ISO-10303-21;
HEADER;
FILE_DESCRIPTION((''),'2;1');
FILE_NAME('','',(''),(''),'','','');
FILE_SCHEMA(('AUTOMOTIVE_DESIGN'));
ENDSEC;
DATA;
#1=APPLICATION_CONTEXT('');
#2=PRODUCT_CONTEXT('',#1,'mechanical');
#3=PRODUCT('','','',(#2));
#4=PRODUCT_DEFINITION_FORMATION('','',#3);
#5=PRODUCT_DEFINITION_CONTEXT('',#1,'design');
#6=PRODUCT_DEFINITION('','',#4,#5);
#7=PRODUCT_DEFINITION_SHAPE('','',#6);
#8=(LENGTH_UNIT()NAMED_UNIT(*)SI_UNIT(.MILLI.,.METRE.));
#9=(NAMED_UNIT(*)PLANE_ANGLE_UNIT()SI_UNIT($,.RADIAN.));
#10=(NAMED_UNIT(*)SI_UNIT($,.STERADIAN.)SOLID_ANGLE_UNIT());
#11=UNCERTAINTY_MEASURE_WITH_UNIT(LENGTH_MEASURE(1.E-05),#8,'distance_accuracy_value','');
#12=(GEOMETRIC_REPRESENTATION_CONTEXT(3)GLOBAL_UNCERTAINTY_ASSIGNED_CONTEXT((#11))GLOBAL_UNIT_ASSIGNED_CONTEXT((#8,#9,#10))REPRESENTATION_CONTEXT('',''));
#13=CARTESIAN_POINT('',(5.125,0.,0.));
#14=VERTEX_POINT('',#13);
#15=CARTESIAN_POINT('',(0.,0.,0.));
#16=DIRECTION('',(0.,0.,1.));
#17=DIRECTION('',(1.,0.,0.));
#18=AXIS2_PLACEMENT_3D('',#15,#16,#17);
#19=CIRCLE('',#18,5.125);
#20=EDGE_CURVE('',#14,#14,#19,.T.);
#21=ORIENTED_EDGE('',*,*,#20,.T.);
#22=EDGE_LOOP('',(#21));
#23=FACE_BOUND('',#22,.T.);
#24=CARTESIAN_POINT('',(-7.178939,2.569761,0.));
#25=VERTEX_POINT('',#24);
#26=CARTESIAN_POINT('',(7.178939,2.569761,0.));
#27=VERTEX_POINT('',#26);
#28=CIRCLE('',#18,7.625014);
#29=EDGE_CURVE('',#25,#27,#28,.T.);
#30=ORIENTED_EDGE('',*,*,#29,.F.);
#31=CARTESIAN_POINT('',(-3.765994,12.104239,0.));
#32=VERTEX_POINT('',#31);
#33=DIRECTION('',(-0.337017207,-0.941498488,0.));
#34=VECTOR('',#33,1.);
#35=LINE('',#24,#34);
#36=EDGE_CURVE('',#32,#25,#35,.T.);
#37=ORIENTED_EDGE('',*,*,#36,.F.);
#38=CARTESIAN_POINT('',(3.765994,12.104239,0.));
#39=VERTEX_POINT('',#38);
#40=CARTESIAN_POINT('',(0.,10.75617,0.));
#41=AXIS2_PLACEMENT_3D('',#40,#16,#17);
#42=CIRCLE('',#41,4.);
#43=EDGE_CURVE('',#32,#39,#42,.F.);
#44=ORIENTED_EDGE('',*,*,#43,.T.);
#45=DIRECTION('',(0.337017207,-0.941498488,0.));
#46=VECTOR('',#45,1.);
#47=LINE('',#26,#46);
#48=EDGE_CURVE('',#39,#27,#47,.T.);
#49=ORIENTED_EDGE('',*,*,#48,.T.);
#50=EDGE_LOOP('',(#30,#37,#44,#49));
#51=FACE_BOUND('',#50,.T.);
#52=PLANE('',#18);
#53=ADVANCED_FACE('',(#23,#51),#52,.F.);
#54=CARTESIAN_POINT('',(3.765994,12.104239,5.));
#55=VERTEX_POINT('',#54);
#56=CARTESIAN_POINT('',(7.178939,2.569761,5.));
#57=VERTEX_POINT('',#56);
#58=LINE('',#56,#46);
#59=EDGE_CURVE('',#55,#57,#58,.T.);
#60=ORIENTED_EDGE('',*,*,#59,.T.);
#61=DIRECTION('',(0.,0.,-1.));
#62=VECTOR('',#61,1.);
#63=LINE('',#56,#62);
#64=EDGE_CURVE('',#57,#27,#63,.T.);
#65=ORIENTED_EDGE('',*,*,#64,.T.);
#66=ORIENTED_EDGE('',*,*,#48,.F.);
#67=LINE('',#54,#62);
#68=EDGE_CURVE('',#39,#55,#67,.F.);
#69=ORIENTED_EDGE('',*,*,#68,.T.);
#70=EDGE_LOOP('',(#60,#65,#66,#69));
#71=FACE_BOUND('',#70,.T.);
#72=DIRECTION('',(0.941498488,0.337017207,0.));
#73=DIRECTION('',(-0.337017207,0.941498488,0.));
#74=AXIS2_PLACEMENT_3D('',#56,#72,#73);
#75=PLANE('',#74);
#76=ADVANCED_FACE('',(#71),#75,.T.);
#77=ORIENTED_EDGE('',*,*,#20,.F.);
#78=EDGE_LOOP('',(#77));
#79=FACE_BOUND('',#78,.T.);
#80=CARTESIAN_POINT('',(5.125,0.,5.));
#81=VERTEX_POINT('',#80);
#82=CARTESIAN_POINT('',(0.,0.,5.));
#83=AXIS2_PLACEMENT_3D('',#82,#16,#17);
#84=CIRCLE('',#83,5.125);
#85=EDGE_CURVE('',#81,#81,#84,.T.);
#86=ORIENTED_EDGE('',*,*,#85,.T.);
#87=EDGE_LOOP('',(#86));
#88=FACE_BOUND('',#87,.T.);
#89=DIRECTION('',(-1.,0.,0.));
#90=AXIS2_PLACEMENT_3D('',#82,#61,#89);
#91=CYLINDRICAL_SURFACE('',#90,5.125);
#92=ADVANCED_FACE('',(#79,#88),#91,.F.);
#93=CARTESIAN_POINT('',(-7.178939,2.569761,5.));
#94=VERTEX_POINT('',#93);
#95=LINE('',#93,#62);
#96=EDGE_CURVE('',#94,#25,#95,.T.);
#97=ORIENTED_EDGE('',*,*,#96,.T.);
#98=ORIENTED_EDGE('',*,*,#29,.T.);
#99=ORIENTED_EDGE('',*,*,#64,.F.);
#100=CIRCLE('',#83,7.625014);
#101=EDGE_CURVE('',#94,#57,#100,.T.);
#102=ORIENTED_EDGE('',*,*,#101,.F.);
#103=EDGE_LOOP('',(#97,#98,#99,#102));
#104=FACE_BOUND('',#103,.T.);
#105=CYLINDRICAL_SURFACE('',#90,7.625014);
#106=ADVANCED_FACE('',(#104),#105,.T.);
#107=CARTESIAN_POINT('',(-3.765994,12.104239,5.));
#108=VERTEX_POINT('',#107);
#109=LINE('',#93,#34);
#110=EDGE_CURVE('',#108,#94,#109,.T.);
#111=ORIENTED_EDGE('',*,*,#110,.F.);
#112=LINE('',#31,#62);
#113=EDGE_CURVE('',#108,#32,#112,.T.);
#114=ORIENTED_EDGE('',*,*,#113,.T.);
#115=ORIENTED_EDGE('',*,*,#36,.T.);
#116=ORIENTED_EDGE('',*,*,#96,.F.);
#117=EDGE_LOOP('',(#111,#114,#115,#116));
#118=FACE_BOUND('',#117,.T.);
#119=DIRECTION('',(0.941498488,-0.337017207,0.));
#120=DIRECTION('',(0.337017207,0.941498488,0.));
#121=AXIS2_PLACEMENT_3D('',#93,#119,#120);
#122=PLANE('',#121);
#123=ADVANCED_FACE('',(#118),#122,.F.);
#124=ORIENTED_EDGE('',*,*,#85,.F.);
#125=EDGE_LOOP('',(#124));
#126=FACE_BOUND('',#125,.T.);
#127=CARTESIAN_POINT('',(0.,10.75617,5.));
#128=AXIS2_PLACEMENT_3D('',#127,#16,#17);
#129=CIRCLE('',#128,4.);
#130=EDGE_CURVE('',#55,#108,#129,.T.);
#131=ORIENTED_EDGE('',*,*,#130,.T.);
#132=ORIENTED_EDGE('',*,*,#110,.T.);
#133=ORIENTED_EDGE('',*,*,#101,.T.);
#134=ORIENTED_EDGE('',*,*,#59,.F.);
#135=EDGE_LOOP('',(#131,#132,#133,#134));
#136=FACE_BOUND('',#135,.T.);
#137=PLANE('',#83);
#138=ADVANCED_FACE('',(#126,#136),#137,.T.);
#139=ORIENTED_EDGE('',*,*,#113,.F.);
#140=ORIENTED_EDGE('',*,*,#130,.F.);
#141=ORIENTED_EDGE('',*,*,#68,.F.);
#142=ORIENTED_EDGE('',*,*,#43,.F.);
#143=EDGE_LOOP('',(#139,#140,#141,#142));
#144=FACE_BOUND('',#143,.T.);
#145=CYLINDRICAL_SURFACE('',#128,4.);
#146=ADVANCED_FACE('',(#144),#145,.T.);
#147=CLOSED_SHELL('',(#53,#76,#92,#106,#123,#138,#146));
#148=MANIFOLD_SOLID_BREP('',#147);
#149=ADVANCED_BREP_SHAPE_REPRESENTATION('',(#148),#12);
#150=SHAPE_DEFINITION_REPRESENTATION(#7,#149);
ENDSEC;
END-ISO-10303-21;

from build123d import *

# Parameters (mm, degrees)
SKETCH1_R           = 7.625014315
SKETCH1_R_2         = 5.125
BOSS_EXTRUDE1_DEPTH = 5
FILLET1_R           = 4


with BuildPart() as part:
    # Sketch1 → Boss-Extrude1 (new body)
    # profile 1 of 3: a face of its own
    with BuildSketch(Plane.XY):
        Circle(SKETCH1_R)
        Circle(SKETCH1_R_2, mode=Mode.SUBTRACT)
    # profile 2 of 3: a face of its own
    with BuildSketch(Plane.XY):
        with BuildLine():
            ThreePointArc((-7.178939445, 2.56976103), (-4.390124068, 6.234392831), (0, 7.625014315))
            Line((0, 7.625014315), (0, 22.625))
            Line((0, 22.625), (-7.178939445, 2.56976103))
        make_face()
    # profile 3 of 3: a face of its own
    with BuildSketch(Plane.XY):
        with BuildLine():
            Line((0, 22.625), (0, 7.625014315))
            ThreePointArc((0, 7.625014315), (4.390124068, 6.234392831), (7.178939445, 2.56976103))
            Line((7.178939445, 2.56976103), (0, 22.625))
        make_face()
    extrude(amount=BOSS_EXTRUDE1_DEPTH)

    # Fillet1
    fillet1_edges = [part.edges().sort_by_distance(p)[0] for p in [
        (0, 22.625, 2.5),
    ]]
    fillet(fillet1_edges, radius=FILLET1_R)


solid = part.part
